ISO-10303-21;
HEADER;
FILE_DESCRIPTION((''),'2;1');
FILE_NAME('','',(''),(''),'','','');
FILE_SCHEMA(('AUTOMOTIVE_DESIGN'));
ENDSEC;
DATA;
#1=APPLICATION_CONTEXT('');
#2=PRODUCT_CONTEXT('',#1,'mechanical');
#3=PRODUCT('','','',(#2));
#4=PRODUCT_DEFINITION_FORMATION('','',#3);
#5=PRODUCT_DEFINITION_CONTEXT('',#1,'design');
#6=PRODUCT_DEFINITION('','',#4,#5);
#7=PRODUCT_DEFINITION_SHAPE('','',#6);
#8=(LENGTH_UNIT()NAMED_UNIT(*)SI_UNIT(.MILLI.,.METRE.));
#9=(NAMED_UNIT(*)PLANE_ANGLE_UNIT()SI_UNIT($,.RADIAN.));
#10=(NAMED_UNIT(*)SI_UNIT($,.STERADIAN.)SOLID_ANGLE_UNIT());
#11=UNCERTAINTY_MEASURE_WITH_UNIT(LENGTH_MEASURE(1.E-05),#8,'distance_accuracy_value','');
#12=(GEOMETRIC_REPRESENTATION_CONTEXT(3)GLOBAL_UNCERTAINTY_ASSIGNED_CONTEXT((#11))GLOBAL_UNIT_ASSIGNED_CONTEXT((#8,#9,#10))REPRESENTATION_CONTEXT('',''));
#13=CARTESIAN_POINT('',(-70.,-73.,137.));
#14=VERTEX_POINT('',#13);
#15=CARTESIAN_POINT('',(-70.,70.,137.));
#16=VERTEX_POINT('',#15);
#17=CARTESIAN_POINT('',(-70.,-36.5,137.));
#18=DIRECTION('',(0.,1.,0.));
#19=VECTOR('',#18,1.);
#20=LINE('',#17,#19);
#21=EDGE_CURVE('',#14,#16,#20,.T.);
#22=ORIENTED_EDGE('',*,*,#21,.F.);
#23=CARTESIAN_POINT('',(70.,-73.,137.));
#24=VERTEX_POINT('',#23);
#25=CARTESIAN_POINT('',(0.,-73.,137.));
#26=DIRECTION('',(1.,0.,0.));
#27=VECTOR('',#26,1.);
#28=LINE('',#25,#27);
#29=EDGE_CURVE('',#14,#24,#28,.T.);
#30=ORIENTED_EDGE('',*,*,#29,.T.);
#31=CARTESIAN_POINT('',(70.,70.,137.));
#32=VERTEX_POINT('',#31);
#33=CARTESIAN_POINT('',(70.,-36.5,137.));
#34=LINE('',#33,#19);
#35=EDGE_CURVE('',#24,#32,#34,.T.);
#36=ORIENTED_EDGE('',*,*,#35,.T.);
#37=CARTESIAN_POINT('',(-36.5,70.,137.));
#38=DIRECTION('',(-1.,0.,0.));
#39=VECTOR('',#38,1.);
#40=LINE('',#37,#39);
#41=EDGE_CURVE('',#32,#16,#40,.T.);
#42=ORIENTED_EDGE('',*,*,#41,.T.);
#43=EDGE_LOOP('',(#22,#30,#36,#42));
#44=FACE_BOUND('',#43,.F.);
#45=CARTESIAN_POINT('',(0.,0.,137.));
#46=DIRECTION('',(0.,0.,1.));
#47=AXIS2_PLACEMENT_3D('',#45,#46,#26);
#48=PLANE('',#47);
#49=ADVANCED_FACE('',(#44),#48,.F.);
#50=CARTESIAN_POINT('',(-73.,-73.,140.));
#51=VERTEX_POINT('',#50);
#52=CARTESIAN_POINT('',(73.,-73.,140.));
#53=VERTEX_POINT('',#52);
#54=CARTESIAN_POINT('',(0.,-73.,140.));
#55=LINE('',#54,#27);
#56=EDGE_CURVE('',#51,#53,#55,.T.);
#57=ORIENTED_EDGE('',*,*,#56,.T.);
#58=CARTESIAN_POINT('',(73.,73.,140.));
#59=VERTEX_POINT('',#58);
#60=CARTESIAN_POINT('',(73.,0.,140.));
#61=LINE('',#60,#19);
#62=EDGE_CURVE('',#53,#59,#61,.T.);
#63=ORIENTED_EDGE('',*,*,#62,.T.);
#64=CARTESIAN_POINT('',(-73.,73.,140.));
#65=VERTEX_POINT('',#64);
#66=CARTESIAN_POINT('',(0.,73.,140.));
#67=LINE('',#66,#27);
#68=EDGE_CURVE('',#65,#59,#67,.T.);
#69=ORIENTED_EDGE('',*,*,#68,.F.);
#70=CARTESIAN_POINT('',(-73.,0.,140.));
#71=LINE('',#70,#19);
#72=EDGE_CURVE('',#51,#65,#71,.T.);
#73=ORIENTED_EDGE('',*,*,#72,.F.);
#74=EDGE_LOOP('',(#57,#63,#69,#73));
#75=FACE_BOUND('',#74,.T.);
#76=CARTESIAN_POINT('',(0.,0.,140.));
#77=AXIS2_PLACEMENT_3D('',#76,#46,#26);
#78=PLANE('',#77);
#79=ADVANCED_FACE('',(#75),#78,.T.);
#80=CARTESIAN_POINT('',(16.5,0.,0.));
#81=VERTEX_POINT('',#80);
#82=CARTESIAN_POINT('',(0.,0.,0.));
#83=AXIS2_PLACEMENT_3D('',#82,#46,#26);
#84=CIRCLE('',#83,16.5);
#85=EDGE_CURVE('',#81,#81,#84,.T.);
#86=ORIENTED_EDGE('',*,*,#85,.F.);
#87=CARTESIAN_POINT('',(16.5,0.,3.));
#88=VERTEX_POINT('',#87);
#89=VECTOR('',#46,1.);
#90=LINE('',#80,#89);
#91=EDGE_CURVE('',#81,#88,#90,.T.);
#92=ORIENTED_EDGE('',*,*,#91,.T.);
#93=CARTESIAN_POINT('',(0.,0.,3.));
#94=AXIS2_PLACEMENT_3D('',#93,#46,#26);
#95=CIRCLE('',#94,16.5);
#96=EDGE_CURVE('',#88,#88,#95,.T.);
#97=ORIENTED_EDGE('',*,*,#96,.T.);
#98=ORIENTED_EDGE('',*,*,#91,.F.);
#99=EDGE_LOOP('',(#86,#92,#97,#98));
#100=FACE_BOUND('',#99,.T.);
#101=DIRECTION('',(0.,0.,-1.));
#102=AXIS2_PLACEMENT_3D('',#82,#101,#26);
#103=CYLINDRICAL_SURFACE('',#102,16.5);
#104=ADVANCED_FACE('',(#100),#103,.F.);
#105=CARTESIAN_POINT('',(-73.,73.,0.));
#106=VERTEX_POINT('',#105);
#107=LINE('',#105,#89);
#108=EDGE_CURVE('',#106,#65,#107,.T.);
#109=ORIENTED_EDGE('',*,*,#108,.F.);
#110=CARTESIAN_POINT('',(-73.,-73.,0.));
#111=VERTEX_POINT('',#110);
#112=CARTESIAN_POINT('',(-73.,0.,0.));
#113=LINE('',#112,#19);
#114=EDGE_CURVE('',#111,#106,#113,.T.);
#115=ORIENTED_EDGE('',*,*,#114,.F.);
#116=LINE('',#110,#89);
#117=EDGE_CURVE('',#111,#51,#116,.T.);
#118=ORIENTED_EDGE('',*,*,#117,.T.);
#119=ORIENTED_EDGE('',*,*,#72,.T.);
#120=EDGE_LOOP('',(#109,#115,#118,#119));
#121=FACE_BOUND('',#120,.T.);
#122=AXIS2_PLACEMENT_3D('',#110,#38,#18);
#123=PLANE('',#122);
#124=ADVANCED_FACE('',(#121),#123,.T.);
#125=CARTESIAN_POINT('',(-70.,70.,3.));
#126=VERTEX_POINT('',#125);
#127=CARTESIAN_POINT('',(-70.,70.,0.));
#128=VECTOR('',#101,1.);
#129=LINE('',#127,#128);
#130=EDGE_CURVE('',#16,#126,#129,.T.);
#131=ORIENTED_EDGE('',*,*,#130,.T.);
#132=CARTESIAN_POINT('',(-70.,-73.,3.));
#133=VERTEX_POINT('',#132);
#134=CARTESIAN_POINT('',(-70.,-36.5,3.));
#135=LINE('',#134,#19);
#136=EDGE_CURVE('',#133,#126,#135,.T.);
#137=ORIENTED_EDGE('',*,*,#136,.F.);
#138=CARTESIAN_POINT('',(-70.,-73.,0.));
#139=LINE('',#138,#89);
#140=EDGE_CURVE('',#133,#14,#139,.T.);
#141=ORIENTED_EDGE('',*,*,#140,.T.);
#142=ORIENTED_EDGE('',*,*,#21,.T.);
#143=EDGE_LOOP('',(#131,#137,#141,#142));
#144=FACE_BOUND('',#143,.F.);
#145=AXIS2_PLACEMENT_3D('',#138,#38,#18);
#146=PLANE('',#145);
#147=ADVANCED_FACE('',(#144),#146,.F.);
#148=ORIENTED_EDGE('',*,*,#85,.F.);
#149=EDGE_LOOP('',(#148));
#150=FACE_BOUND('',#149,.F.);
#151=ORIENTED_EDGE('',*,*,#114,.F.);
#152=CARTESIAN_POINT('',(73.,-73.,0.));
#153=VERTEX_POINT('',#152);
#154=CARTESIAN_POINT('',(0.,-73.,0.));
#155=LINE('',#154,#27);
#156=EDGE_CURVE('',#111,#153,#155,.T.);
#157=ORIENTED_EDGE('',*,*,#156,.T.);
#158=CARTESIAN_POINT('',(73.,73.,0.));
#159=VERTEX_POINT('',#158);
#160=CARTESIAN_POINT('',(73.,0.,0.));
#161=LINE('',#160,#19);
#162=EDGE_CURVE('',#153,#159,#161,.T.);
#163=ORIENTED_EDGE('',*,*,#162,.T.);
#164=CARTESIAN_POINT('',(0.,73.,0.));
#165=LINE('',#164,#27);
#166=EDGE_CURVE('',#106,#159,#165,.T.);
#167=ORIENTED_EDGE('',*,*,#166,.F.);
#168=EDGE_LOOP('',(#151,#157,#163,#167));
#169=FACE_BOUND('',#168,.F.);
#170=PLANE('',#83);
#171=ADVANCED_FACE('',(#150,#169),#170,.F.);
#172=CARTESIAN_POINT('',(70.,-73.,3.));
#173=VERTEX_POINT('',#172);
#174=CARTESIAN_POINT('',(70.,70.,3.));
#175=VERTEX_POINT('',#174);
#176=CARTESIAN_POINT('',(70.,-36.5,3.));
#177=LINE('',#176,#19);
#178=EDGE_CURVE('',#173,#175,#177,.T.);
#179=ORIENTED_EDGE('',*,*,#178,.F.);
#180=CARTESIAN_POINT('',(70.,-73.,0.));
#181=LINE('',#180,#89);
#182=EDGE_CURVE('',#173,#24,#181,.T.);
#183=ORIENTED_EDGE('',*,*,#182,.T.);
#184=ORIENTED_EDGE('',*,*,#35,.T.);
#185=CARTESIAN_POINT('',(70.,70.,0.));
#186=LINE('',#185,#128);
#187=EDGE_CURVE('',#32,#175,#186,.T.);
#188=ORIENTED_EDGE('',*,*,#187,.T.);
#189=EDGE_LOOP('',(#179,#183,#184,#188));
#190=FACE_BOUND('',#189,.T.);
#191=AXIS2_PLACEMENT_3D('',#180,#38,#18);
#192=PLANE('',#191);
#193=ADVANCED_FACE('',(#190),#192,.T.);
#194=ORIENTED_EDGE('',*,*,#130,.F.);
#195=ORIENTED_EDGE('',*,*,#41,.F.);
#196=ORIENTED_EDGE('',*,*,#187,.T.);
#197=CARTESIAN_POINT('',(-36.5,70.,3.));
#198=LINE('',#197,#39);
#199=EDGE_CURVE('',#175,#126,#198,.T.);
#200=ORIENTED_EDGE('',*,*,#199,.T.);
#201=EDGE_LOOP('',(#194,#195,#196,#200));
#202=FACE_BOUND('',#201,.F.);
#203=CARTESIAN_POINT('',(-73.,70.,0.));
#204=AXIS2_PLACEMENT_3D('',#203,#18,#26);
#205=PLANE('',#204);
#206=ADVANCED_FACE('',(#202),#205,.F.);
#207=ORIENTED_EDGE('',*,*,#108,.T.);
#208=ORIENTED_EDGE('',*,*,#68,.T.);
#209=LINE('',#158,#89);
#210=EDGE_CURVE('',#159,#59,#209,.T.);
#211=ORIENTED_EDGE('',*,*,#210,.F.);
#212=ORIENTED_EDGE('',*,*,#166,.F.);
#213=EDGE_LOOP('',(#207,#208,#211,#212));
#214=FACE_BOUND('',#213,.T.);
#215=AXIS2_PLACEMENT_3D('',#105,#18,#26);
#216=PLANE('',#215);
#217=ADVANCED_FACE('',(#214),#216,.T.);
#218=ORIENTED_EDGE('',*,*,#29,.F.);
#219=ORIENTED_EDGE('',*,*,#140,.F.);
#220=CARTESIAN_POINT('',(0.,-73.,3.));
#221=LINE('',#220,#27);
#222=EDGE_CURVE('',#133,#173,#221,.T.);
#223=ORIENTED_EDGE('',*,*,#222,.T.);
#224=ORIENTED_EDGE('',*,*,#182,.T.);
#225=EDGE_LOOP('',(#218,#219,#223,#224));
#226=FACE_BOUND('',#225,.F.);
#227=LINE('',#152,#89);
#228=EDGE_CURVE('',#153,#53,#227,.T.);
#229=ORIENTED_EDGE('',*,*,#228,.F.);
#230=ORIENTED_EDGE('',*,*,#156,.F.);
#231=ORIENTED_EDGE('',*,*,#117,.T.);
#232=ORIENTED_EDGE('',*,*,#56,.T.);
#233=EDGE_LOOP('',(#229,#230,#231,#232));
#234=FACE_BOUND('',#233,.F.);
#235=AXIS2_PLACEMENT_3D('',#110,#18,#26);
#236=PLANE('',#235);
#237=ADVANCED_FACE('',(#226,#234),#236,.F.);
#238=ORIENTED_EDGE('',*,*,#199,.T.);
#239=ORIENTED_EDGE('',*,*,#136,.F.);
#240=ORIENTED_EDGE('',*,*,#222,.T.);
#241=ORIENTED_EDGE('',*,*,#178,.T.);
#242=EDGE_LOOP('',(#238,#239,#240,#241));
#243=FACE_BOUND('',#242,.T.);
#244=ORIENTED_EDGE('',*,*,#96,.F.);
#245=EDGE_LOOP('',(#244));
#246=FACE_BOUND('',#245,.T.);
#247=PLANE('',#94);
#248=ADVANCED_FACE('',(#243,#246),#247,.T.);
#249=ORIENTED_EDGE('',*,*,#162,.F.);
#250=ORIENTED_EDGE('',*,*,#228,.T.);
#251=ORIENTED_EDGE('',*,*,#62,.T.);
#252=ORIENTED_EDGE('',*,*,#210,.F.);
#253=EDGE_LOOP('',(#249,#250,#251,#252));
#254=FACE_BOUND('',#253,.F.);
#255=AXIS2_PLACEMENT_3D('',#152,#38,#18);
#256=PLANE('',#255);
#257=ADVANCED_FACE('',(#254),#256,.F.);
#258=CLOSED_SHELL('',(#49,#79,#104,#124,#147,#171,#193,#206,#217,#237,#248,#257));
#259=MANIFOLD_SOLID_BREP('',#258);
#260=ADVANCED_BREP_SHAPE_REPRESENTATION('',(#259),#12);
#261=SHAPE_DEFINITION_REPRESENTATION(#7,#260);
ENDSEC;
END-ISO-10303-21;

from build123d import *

# Parameters (mm, degrees)
F0_W     = 146
F0_H     = 146
F0_R     = 16.5
F1_DEPTH = 140
F2_T     = -3
F3_DEPTH = 3


with BuildPart() as f1:
    # F0 (on Top) → F1 (new body)
    with BuildSketch(Plane.XY):
        Rectangle(F0_W, F0_H)
        Circle(F0_R, mode=Mode.SUBTRACT)
        Circle(F0_R)
    extrude(amount=F1_DEPTH)

    # F2
    f2_openings = [f1.faces().sort_by_distance(p)[0] for p in [
        (0, -73, 70),
    ]]
    offset(amount=F2_T, openings=f2_openings)

    # F0 (on Top) → F3 (cut)
    with BuildSketch(Plane.XY):
        Circle(F0_R)
    extrude(amount=F3_DEPTH, mode=Mode.SUBTRACT)


solid = f1.part
